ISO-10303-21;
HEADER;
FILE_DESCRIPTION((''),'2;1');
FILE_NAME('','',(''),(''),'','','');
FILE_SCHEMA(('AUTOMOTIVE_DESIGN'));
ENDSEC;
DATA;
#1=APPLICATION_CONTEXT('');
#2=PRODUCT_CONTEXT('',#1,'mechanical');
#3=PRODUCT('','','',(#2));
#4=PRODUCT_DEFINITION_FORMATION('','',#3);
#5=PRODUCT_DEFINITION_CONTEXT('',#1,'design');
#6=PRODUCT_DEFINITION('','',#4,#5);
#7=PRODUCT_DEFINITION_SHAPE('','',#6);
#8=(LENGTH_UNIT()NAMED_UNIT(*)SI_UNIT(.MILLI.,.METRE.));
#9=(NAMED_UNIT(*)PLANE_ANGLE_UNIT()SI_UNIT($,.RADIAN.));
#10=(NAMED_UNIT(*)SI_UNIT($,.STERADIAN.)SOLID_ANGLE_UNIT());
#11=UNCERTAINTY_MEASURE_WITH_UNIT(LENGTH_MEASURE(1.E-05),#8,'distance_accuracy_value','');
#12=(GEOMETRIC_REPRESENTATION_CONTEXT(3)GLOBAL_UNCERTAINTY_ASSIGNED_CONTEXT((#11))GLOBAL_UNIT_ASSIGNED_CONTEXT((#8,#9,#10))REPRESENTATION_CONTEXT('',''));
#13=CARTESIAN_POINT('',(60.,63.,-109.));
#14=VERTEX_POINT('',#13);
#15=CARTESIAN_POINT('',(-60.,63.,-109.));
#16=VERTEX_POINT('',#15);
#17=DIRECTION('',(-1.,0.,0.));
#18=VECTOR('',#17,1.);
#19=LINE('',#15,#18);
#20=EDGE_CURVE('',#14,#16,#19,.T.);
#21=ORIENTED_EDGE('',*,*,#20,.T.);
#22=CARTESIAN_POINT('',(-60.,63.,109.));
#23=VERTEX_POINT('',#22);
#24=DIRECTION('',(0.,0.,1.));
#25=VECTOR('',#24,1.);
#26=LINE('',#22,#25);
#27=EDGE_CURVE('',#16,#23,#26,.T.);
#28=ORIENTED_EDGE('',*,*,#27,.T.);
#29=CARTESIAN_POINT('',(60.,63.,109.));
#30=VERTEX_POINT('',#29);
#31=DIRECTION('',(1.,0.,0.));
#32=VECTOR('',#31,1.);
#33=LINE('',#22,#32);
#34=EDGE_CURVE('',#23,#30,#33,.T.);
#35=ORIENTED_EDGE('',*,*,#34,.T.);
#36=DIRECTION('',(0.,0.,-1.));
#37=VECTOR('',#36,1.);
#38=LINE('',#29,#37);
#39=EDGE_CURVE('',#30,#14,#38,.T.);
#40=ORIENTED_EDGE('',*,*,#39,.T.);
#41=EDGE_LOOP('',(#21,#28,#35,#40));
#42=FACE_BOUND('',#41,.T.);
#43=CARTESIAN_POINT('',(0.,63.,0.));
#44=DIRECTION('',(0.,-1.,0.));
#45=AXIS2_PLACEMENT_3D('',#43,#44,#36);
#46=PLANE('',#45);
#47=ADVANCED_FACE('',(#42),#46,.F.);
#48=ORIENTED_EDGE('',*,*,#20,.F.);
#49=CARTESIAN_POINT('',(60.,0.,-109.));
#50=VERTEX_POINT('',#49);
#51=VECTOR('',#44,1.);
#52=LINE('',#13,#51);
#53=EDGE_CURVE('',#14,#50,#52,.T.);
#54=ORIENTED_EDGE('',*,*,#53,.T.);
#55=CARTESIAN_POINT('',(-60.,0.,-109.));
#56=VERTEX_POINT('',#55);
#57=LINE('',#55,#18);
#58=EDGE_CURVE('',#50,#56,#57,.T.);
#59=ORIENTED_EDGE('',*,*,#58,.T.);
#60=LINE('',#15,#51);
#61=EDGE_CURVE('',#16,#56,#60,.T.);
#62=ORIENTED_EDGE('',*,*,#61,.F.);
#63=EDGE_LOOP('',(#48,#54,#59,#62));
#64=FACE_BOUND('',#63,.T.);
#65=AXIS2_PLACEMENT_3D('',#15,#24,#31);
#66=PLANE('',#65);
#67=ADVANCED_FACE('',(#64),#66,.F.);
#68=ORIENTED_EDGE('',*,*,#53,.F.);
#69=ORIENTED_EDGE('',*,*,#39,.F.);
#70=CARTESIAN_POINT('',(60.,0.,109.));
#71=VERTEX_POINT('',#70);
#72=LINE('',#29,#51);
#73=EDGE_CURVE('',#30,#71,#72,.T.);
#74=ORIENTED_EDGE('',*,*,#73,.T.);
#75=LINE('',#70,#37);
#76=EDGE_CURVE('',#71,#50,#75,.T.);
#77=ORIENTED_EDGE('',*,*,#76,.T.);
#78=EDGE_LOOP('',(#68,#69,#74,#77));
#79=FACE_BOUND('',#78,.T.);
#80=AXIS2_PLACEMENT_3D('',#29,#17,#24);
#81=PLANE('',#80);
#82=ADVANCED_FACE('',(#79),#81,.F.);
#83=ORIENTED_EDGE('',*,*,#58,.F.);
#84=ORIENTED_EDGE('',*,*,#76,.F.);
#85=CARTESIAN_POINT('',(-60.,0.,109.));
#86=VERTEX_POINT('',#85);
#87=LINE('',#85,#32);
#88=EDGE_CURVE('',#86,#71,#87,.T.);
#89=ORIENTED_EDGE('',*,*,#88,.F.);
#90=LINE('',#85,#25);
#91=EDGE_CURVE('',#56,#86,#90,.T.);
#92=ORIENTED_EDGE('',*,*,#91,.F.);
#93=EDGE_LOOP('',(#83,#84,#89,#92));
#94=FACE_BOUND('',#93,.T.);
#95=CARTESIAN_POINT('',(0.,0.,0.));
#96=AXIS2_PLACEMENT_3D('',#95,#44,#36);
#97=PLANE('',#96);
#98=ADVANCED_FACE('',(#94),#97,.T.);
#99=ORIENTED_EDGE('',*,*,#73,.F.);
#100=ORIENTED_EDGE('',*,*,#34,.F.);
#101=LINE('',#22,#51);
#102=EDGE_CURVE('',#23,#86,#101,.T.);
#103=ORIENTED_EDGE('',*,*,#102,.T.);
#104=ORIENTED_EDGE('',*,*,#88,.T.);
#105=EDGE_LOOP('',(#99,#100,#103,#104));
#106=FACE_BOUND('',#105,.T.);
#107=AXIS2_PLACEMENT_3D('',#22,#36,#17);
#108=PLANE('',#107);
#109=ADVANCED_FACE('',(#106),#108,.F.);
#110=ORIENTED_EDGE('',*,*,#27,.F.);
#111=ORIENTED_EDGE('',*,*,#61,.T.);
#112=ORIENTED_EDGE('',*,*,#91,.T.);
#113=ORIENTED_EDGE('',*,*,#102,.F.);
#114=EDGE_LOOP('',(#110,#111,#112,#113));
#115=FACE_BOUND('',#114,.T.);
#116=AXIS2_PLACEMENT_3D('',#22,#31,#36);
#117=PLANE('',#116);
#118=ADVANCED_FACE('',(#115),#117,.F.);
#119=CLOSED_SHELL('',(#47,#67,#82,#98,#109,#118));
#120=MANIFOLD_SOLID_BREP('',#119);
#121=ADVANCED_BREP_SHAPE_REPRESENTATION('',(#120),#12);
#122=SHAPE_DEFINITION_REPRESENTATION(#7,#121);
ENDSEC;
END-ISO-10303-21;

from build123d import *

# Parameters (mm, degrees)
SKETCH_1_W      = 120
SKETCH_1_H      = 218
EXTRUDE_1_DEPTH = 63


with BuildPart() as part:
    # 草图1 → 凸台-拉伸1 (new body)
    with BuildSketch(Plane(origin=(0, 0, 0), x_dir=(1, 0, 0), z_dir=(0, 1, 0))):
        Rectangle(SKETCH_1_W, SKETCH_1_H)
    extrude(amount=EXTRUDE_1_DEPTH)


solid = part.part
